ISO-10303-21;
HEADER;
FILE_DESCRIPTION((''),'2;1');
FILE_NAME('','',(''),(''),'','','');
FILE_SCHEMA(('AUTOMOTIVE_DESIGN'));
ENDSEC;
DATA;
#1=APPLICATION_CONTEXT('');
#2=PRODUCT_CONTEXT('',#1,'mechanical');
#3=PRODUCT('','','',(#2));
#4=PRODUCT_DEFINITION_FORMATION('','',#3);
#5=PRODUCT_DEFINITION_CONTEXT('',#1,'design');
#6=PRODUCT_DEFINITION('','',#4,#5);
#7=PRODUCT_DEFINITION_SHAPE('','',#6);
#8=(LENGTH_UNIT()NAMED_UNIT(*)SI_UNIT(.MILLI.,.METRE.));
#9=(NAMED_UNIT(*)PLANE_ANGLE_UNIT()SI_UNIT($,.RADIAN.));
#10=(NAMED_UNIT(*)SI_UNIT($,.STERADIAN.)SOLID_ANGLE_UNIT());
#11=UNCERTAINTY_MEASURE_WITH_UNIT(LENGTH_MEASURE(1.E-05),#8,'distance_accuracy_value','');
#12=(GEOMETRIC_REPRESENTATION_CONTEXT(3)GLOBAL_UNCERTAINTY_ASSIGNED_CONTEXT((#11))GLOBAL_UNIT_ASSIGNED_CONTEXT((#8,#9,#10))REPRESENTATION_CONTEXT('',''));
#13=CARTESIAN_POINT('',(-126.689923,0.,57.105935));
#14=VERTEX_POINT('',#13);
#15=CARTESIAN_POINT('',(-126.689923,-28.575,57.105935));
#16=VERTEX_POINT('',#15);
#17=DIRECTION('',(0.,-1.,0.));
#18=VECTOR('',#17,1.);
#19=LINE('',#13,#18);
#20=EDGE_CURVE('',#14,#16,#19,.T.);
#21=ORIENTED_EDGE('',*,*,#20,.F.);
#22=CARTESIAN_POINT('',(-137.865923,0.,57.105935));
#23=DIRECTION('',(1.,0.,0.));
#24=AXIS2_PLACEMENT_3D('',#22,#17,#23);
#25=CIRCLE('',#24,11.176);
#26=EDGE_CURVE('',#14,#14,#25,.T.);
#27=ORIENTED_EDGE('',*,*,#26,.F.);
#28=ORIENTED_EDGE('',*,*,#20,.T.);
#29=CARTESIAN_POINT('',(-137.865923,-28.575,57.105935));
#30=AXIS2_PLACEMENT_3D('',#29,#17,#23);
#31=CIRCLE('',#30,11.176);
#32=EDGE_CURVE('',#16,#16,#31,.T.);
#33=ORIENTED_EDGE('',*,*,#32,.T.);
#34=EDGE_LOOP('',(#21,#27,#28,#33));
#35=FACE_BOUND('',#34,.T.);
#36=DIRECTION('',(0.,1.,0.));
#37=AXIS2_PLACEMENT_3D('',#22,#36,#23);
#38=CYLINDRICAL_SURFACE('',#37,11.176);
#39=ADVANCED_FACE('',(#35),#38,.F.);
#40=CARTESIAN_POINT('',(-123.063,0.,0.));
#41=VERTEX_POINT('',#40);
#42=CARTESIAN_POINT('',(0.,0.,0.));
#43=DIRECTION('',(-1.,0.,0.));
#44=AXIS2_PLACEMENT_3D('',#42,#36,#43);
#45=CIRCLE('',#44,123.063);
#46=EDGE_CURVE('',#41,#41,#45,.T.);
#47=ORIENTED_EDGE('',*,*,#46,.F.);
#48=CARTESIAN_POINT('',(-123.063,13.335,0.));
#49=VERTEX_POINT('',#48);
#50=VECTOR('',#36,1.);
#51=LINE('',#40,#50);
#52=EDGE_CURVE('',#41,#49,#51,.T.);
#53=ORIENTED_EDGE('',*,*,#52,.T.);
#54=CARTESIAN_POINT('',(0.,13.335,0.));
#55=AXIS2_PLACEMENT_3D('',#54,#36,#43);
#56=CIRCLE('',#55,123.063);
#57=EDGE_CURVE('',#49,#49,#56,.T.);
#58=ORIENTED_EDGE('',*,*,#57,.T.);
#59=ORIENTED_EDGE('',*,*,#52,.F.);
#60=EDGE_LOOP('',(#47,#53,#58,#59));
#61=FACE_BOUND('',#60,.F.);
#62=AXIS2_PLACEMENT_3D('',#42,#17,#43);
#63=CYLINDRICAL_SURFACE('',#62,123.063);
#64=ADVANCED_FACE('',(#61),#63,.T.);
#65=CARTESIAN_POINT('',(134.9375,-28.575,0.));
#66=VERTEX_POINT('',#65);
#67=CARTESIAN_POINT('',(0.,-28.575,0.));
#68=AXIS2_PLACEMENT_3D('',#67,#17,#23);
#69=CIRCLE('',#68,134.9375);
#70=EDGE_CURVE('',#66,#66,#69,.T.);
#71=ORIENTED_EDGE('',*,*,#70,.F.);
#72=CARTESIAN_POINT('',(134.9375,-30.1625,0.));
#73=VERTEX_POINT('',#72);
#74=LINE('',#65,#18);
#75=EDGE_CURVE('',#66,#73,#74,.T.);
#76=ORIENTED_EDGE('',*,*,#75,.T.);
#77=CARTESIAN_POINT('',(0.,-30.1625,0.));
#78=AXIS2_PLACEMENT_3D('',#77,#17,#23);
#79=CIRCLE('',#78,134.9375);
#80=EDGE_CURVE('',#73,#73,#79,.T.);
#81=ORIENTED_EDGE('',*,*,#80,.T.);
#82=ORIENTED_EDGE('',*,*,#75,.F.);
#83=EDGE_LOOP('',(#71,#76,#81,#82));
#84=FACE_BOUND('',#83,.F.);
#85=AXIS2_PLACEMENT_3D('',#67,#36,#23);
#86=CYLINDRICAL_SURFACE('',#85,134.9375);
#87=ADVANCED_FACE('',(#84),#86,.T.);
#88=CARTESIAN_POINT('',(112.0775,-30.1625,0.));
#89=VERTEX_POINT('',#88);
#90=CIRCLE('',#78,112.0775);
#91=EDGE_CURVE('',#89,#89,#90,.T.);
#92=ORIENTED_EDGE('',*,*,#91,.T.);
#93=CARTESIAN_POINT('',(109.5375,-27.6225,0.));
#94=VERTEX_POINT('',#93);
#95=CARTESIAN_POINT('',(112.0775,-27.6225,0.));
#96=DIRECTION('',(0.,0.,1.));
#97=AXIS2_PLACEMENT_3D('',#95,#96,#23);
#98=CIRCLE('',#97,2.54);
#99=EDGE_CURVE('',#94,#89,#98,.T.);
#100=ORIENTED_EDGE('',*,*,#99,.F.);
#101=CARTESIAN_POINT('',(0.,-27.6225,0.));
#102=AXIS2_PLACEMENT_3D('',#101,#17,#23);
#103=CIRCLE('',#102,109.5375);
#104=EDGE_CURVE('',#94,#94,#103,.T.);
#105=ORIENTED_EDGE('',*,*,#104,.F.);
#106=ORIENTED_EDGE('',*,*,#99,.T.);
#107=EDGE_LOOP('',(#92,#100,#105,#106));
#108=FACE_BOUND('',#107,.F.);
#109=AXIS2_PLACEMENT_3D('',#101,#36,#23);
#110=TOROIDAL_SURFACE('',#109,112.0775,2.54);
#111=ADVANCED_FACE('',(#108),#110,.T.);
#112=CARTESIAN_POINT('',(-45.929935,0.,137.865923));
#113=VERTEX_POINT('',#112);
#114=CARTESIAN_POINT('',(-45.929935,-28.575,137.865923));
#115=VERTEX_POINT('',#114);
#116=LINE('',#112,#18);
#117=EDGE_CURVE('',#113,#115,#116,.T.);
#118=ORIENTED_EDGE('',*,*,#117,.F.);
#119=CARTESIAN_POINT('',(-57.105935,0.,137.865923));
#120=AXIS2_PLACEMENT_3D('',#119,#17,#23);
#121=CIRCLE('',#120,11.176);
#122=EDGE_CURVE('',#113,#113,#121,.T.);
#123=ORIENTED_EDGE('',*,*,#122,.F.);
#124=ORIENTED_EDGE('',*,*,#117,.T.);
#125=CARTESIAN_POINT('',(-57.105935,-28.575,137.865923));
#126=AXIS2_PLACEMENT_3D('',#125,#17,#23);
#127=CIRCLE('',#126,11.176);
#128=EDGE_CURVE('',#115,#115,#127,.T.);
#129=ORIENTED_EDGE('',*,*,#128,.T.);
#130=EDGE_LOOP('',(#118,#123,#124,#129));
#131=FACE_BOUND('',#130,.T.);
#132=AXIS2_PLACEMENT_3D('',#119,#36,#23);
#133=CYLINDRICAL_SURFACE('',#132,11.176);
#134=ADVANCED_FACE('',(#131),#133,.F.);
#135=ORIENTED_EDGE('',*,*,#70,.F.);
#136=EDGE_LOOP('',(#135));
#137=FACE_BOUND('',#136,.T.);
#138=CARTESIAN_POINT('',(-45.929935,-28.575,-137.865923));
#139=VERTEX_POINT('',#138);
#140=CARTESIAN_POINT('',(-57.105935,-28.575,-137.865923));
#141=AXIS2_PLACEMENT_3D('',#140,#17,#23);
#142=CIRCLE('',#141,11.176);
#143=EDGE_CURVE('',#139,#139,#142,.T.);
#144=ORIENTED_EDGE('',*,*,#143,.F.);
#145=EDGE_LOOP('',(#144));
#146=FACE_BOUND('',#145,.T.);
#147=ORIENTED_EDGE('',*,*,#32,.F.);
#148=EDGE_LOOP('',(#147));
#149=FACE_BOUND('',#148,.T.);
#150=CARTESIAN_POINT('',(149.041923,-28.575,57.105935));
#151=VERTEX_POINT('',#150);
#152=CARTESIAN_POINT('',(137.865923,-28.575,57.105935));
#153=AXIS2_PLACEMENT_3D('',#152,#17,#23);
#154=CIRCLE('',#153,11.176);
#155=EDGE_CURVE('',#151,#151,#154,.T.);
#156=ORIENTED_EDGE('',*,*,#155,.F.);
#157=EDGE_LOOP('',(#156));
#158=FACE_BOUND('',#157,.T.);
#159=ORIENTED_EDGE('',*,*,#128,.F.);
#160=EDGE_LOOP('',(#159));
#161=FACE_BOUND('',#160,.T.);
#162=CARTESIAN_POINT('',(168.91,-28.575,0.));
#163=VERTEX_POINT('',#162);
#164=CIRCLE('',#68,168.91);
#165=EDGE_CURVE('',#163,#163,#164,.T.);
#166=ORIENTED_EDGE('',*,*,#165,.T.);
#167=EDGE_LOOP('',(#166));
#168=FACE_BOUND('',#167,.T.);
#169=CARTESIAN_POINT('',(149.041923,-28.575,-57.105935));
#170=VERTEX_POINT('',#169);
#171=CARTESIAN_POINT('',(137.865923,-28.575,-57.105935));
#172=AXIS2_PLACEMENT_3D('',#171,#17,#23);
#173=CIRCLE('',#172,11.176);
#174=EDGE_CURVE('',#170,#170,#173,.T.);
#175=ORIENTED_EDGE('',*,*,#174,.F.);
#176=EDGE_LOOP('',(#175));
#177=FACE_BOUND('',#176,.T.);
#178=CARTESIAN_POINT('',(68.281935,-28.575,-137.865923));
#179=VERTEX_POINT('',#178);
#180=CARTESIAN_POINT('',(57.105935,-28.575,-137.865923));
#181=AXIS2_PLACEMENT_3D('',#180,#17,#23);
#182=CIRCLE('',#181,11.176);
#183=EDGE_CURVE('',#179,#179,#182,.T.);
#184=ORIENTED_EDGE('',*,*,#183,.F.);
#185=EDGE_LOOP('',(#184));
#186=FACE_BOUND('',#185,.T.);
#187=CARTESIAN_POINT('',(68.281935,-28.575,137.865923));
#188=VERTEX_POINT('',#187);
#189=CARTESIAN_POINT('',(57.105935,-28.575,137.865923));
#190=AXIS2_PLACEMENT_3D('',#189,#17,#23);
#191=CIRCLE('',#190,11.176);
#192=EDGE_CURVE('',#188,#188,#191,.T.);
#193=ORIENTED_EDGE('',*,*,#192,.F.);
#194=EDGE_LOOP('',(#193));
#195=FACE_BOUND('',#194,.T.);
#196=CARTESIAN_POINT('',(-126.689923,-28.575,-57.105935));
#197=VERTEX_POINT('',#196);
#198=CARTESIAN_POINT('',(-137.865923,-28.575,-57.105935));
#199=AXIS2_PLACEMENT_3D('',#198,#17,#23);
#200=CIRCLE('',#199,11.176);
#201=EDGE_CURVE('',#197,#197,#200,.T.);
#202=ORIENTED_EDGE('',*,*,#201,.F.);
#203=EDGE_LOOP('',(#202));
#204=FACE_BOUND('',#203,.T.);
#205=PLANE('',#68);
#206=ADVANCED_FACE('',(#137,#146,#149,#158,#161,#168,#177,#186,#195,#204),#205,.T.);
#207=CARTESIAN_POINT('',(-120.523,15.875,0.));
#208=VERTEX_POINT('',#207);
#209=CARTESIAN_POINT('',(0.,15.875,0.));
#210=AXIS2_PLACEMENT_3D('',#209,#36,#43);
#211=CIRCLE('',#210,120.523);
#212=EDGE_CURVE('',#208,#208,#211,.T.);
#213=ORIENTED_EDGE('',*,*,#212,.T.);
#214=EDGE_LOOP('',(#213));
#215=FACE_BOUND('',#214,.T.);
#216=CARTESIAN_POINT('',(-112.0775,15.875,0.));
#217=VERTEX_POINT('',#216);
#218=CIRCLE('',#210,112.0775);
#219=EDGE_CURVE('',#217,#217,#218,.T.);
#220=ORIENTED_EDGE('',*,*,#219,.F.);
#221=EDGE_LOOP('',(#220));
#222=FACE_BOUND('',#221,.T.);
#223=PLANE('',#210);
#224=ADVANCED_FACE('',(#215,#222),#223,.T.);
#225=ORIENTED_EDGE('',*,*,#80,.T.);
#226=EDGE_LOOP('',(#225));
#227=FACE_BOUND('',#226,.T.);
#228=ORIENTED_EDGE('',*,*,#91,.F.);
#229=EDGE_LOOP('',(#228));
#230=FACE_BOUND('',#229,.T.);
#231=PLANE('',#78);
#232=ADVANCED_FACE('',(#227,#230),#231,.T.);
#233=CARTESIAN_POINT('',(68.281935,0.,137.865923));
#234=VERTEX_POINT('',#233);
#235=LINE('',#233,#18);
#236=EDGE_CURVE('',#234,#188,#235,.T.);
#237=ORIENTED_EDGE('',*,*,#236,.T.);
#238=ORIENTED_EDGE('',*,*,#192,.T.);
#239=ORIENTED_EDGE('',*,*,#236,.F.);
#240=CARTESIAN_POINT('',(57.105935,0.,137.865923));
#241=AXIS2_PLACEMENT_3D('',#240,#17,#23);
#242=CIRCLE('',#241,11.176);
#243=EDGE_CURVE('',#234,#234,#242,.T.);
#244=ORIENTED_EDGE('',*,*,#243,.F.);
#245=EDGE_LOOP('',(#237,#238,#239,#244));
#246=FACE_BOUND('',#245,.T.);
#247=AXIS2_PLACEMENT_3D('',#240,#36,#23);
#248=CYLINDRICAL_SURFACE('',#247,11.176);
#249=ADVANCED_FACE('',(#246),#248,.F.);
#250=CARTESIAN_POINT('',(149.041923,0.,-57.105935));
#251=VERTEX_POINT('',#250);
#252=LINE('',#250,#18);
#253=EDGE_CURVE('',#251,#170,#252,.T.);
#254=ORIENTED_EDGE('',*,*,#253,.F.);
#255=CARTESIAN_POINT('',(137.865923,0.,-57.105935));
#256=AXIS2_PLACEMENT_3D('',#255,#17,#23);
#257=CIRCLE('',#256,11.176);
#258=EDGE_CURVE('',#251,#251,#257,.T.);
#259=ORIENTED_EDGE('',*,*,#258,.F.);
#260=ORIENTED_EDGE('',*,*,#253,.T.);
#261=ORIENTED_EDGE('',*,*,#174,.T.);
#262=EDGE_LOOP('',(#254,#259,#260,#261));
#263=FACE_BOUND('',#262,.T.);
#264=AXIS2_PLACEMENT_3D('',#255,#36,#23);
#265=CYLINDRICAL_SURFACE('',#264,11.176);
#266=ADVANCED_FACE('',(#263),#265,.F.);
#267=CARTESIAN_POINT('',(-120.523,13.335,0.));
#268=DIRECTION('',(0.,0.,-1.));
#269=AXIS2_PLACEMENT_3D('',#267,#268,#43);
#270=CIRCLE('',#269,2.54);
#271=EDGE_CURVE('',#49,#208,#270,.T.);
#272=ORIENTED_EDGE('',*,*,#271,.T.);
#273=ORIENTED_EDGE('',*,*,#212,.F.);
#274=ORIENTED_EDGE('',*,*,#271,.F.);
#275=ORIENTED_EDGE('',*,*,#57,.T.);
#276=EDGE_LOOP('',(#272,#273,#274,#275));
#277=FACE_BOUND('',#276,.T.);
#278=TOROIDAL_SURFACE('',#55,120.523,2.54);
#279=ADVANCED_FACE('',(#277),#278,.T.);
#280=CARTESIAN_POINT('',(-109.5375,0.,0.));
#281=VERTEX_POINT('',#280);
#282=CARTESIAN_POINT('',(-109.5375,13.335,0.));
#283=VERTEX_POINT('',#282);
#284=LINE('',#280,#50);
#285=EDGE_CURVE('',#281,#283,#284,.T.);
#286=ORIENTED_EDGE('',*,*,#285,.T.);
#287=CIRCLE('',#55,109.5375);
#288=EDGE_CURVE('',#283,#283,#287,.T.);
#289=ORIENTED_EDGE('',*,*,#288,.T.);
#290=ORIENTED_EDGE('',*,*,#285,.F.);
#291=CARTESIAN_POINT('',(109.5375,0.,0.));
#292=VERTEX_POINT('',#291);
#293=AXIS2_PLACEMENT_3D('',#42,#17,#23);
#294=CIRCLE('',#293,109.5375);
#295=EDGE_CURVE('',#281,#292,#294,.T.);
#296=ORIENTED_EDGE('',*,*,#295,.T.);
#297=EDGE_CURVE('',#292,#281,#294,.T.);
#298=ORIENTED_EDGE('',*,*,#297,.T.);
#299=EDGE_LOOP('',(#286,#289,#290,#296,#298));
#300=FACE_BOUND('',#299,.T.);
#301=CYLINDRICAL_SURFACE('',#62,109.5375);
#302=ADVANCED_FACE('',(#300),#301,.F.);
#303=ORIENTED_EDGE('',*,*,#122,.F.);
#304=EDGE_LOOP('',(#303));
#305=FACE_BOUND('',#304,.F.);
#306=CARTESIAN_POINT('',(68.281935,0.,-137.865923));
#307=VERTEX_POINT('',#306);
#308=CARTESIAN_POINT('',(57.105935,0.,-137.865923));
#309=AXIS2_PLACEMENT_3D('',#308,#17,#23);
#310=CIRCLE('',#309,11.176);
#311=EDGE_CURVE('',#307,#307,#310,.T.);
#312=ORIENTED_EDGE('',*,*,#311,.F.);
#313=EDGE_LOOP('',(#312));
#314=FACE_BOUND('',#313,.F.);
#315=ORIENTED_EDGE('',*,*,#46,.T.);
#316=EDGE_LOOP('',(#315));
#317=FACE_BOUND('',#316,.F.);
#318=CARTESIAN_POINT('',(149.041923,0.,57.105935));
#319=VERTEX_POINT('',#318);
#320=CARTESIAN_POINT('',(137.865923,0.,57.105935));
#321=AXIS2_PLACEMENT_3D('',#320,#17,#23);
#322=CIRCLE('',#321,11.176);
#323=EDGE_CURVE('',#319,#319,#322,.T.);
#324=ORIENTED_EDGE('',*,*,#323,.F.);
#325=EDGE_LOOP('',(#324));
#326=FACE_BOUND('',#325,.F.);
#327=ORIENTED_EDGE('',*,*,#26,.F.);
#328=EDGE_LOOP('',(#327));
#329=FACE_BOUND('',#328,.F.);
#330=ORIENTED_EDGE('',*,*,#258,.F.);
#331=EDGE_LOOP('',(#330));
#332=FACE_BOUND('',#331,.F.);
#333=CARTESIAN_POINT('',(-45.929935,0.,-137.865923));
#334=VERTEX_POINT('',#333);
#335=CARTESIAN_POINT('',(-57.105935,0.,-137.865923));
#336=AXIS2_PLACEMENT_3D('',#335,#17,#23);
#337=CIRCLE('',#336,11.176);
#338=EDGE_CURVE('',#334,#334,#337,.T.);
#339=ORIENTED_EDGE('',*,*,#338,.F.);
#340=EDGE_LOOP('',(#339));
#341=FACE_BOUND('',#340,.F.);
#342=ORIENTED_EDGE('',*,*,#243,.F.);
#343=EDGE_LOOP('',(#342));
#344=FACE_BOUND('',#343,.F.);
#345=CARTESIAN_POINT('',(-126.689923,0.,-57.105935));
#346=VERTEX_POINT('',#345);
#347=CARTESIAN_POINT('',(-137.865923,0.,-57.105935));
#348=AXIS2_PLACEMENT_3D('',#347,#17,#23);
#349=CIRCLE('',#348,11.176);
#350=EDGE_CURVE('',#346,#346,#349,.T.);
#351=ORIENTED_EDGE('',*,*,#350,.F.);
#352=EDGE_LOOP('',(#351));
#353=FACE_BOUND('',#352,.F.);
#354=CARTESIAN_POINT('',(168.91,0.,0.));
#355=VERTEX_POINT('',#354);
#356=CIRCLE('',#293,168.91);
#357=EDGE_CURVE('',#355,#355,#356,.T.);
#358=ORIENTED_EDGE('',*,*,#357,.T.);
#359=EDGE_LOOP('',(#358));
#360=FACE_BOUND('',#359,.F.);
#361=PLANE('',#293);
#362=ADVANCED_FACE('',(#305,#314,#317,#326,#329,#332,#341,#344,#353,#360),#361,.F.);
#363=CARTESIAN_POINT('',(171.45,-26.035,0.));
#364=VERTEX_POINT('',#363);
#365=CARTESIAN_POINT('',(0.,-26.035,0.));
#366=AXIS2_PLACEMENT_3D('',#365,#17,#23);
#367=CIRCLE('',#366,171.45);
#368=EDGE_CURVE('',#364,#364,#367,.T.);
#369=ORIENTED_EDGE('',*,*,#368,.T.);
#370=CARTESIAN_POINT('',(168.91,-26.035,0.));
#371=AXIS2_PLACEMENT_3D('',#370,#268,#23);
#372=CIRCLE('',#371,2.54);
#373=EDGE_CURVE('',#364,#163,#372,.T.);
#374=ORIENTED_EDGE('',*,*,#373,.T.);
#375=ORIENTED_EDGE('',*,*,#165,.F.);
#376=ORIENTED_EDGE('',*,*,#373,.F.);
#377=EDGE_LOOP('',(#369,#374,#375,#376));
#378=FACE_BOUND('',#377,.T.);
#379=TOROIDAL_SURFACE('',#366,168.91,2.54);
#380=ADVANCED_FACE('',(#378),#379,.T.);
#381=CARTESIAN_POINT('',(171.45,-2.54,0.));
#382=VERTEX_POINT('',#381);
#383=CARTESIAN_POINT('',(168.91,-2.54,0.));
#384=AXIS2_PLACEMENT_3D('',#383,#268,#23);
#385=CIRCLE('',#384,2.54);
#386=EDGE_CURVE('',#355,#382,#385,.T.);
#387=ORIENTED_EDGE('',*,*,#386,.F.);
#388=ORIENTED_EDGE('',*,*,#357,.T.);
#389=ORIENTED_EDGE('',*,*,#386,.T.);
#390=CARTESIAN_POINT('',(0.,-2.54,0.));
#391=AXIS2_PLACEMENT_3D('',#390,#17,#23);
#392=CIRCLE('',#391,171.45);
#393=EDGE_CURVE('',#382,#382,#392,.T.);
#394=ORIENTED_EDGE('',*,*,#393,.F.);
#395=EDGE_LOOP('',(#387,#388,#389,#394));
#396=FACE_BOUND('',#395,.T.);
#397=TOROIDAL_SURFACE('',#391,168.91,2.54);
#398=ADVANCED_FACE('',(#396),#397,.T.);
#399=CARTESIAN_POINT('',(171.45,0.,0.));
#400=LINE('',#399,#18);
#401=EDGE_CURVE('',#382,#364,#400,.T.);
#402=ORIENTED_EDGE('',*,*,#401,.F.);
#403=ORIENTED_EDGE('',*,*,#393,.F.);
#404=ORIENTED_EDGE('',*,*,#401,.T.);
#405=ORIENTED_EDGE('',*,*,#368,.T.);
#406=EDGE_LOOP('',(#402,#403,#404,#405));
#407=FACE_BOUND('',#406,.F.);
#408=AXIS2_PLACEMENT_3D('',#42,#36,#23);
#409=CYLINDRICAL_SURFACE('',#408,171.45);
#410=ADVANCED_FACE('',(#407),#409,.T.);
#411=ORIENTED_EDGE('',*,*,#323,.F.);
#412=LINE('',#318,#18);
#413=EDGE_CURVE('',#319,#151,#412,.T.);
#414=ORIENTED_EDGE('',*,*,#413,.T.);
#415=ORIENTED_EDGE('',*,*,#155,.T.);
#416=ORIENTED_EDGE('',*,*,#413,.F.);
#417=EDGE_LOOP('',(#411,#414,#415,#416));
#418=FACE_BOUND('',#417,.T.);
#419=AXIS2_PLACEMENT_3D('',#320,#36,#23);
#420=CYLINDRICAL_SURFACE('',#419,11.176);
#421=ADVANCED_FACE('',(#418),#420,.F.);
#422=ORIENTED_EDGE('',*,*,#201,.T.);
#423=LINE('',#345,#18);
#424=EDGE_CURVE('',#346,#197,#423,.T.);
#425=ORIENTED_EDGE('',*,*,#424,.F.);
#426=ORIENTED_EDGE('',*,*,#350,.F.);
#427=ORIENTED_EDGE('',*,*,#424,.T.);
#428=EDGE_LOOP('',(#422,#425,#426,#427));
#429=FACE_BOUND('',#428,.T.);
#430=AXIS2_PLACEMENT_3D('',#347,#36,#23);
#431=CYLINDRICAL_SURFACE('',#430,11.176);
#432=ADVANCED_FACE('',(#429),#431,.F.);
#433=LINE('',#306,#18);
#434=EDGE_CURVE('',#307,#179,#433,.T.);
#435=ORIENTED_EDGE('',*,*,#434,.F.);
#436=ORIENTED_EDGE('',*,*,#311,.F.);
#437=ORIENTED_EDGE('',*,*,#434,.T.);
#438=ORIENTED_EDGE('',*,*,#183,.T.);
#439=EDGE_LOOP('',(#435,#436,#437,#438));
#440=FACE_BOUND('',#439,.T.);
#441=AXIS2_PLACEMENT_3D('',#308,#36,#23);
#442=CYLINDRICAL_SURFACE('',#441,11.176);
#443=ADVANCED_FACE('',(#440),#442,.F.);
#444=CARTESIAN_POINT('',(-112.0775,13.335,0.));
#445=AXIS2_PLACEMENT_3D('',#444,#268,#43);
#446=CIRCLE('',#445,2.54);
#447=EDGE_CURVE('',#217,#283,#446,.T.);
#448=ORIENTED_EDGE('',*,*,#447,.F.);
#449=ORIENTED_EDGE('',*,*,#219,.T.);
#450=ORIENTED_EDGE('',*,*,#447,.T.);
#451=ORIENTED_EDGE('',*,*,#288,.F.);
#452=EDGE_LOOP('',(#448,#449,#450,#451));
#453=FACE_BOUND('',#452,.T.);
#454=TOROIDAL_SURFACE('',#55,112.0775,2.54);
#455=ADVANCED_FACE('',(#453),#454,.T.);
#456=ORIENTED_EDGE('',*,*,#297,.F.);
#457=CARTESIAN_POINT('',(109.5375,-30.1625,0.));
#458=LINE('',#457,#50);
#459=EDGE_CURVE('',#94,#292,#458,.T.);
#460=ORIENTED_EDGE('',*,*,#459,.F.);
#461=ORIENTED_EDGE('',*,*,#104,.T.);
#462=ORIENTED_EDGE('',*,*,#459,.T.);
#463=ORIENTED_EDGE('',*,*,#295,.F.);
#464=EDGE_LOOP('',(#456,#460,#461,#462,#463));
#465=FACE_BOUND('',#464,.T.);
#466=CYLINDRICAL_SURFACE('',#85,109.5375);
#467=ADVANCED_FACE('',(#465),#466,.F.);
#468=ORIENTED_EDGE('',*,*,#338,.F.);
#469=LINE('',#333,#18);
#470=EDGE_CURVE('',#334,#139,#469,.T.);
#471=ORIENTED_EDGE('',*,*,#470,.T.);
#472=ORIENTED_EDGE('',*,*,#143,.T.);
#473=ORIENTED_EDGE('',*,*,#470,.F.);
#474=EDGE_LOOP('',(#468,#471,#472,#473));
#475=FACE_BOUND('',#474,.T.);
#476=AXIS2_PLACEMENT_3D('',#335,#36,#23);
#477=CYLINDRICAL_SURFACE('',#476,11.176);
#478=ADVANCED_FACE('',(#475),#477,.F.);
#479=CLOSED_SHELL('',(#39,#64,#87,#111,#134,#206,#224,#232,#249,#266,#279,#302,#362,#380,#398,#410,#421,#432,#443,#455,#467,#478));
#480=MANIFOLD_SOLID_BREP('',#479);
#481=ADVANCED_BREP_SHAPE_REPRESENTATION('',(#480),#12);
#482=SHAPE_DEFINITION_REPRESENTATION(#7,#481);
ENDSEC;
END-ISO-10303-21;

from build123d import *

# Parameters (mm, degrees)
F0_R     = 171.45
F0_R_2   = 11.176
F0_R_3   = 109.5375
F1_DEPTH = 28.575
F2_R     = 134.9375
F2_R_2   = 109.5375
F3_DEPTH = 1.5875
F4_R     = 123.063
F4_R_2   = 109.5375
F5_DEPTH = 15.875
F6_R     = 2.54


with BuildPart() as f1:
    # F0 (on Front) → F1 (new body)
    with BuildSketch(Plane.XZ):
        Circle(F0_R)
        with Locations((-57.105935, -137.865923)):
            Circle(F0_R_2, mode=Mode.SUBTRACT)
        with Locations((-137.865923, -57.105935)):
            Circle(F0_R_2, mode=Mode.SUBTRACT)
        with Locations((57.105935, -137.865923)):
            Circle(F0_R_2, mode=Mode.SUBTRACT)
        with Locations((137.865923, -57.105935)):
            Circle(F0_R_2, mode=Mode.SUBTRACT)
        with Locations((-137.865923, 57.105935)):
            Circle(F0_R_2, mode=Mode.SUBTRACT)
        with Locations((-57.105935, 137.865923)):
            Circle(F0_R_2, mode=Mode.SUBTRACT)
        Circle(F0_R_3, mode=Mode.SUBTRACT)
        with Locations((137.865923, 57.105935)):
            Circle(F0_R_2, mode=Mode.SUBTRACT)
        with Locations((57.105935, 137.865923)):
            Circle(F0_R_2, mode=Mode.SUBTRACT)
    extrude(amount=F1_DEPTH)

    # F2 (on face) → F3 (join)
    with BuildSketch(Plane.XZ.offset(28.575)):
        Circle(F2_R)
        Circle(F2_R_2, mode=Mode.SUBTRACT)
    extrude(amount=F3_DEPTH)

    # F4 (on face) → F5 (join)
    with BuildSketch(Plane(origin=(0, 0, 0), x_dir=(-1, 0, 0), z_dir=(0, 1, 0))):
        Circle(F4_R)
        Circle(F4_R_2, mode=Mode.SUBTRACT)
    extrude(amount=F5_DEPTH)

    # F6
    f6_edges = [f1.edges().sort_by_distance(p)[0] for p in [
        (-171.45, -28.575, 0),
        (-171.45, 0, 0),
        (-109.5375, -30.1625, 0),
        (109.5375, 15.875, 0),
        (123.063, 15.875, 0),
    ]]
    fillet(f6_edges, radius=F6_R)


with BuildPart() as f7_1:
    # F7: copy of F1
    add(f1.part)


solid = f1.part
